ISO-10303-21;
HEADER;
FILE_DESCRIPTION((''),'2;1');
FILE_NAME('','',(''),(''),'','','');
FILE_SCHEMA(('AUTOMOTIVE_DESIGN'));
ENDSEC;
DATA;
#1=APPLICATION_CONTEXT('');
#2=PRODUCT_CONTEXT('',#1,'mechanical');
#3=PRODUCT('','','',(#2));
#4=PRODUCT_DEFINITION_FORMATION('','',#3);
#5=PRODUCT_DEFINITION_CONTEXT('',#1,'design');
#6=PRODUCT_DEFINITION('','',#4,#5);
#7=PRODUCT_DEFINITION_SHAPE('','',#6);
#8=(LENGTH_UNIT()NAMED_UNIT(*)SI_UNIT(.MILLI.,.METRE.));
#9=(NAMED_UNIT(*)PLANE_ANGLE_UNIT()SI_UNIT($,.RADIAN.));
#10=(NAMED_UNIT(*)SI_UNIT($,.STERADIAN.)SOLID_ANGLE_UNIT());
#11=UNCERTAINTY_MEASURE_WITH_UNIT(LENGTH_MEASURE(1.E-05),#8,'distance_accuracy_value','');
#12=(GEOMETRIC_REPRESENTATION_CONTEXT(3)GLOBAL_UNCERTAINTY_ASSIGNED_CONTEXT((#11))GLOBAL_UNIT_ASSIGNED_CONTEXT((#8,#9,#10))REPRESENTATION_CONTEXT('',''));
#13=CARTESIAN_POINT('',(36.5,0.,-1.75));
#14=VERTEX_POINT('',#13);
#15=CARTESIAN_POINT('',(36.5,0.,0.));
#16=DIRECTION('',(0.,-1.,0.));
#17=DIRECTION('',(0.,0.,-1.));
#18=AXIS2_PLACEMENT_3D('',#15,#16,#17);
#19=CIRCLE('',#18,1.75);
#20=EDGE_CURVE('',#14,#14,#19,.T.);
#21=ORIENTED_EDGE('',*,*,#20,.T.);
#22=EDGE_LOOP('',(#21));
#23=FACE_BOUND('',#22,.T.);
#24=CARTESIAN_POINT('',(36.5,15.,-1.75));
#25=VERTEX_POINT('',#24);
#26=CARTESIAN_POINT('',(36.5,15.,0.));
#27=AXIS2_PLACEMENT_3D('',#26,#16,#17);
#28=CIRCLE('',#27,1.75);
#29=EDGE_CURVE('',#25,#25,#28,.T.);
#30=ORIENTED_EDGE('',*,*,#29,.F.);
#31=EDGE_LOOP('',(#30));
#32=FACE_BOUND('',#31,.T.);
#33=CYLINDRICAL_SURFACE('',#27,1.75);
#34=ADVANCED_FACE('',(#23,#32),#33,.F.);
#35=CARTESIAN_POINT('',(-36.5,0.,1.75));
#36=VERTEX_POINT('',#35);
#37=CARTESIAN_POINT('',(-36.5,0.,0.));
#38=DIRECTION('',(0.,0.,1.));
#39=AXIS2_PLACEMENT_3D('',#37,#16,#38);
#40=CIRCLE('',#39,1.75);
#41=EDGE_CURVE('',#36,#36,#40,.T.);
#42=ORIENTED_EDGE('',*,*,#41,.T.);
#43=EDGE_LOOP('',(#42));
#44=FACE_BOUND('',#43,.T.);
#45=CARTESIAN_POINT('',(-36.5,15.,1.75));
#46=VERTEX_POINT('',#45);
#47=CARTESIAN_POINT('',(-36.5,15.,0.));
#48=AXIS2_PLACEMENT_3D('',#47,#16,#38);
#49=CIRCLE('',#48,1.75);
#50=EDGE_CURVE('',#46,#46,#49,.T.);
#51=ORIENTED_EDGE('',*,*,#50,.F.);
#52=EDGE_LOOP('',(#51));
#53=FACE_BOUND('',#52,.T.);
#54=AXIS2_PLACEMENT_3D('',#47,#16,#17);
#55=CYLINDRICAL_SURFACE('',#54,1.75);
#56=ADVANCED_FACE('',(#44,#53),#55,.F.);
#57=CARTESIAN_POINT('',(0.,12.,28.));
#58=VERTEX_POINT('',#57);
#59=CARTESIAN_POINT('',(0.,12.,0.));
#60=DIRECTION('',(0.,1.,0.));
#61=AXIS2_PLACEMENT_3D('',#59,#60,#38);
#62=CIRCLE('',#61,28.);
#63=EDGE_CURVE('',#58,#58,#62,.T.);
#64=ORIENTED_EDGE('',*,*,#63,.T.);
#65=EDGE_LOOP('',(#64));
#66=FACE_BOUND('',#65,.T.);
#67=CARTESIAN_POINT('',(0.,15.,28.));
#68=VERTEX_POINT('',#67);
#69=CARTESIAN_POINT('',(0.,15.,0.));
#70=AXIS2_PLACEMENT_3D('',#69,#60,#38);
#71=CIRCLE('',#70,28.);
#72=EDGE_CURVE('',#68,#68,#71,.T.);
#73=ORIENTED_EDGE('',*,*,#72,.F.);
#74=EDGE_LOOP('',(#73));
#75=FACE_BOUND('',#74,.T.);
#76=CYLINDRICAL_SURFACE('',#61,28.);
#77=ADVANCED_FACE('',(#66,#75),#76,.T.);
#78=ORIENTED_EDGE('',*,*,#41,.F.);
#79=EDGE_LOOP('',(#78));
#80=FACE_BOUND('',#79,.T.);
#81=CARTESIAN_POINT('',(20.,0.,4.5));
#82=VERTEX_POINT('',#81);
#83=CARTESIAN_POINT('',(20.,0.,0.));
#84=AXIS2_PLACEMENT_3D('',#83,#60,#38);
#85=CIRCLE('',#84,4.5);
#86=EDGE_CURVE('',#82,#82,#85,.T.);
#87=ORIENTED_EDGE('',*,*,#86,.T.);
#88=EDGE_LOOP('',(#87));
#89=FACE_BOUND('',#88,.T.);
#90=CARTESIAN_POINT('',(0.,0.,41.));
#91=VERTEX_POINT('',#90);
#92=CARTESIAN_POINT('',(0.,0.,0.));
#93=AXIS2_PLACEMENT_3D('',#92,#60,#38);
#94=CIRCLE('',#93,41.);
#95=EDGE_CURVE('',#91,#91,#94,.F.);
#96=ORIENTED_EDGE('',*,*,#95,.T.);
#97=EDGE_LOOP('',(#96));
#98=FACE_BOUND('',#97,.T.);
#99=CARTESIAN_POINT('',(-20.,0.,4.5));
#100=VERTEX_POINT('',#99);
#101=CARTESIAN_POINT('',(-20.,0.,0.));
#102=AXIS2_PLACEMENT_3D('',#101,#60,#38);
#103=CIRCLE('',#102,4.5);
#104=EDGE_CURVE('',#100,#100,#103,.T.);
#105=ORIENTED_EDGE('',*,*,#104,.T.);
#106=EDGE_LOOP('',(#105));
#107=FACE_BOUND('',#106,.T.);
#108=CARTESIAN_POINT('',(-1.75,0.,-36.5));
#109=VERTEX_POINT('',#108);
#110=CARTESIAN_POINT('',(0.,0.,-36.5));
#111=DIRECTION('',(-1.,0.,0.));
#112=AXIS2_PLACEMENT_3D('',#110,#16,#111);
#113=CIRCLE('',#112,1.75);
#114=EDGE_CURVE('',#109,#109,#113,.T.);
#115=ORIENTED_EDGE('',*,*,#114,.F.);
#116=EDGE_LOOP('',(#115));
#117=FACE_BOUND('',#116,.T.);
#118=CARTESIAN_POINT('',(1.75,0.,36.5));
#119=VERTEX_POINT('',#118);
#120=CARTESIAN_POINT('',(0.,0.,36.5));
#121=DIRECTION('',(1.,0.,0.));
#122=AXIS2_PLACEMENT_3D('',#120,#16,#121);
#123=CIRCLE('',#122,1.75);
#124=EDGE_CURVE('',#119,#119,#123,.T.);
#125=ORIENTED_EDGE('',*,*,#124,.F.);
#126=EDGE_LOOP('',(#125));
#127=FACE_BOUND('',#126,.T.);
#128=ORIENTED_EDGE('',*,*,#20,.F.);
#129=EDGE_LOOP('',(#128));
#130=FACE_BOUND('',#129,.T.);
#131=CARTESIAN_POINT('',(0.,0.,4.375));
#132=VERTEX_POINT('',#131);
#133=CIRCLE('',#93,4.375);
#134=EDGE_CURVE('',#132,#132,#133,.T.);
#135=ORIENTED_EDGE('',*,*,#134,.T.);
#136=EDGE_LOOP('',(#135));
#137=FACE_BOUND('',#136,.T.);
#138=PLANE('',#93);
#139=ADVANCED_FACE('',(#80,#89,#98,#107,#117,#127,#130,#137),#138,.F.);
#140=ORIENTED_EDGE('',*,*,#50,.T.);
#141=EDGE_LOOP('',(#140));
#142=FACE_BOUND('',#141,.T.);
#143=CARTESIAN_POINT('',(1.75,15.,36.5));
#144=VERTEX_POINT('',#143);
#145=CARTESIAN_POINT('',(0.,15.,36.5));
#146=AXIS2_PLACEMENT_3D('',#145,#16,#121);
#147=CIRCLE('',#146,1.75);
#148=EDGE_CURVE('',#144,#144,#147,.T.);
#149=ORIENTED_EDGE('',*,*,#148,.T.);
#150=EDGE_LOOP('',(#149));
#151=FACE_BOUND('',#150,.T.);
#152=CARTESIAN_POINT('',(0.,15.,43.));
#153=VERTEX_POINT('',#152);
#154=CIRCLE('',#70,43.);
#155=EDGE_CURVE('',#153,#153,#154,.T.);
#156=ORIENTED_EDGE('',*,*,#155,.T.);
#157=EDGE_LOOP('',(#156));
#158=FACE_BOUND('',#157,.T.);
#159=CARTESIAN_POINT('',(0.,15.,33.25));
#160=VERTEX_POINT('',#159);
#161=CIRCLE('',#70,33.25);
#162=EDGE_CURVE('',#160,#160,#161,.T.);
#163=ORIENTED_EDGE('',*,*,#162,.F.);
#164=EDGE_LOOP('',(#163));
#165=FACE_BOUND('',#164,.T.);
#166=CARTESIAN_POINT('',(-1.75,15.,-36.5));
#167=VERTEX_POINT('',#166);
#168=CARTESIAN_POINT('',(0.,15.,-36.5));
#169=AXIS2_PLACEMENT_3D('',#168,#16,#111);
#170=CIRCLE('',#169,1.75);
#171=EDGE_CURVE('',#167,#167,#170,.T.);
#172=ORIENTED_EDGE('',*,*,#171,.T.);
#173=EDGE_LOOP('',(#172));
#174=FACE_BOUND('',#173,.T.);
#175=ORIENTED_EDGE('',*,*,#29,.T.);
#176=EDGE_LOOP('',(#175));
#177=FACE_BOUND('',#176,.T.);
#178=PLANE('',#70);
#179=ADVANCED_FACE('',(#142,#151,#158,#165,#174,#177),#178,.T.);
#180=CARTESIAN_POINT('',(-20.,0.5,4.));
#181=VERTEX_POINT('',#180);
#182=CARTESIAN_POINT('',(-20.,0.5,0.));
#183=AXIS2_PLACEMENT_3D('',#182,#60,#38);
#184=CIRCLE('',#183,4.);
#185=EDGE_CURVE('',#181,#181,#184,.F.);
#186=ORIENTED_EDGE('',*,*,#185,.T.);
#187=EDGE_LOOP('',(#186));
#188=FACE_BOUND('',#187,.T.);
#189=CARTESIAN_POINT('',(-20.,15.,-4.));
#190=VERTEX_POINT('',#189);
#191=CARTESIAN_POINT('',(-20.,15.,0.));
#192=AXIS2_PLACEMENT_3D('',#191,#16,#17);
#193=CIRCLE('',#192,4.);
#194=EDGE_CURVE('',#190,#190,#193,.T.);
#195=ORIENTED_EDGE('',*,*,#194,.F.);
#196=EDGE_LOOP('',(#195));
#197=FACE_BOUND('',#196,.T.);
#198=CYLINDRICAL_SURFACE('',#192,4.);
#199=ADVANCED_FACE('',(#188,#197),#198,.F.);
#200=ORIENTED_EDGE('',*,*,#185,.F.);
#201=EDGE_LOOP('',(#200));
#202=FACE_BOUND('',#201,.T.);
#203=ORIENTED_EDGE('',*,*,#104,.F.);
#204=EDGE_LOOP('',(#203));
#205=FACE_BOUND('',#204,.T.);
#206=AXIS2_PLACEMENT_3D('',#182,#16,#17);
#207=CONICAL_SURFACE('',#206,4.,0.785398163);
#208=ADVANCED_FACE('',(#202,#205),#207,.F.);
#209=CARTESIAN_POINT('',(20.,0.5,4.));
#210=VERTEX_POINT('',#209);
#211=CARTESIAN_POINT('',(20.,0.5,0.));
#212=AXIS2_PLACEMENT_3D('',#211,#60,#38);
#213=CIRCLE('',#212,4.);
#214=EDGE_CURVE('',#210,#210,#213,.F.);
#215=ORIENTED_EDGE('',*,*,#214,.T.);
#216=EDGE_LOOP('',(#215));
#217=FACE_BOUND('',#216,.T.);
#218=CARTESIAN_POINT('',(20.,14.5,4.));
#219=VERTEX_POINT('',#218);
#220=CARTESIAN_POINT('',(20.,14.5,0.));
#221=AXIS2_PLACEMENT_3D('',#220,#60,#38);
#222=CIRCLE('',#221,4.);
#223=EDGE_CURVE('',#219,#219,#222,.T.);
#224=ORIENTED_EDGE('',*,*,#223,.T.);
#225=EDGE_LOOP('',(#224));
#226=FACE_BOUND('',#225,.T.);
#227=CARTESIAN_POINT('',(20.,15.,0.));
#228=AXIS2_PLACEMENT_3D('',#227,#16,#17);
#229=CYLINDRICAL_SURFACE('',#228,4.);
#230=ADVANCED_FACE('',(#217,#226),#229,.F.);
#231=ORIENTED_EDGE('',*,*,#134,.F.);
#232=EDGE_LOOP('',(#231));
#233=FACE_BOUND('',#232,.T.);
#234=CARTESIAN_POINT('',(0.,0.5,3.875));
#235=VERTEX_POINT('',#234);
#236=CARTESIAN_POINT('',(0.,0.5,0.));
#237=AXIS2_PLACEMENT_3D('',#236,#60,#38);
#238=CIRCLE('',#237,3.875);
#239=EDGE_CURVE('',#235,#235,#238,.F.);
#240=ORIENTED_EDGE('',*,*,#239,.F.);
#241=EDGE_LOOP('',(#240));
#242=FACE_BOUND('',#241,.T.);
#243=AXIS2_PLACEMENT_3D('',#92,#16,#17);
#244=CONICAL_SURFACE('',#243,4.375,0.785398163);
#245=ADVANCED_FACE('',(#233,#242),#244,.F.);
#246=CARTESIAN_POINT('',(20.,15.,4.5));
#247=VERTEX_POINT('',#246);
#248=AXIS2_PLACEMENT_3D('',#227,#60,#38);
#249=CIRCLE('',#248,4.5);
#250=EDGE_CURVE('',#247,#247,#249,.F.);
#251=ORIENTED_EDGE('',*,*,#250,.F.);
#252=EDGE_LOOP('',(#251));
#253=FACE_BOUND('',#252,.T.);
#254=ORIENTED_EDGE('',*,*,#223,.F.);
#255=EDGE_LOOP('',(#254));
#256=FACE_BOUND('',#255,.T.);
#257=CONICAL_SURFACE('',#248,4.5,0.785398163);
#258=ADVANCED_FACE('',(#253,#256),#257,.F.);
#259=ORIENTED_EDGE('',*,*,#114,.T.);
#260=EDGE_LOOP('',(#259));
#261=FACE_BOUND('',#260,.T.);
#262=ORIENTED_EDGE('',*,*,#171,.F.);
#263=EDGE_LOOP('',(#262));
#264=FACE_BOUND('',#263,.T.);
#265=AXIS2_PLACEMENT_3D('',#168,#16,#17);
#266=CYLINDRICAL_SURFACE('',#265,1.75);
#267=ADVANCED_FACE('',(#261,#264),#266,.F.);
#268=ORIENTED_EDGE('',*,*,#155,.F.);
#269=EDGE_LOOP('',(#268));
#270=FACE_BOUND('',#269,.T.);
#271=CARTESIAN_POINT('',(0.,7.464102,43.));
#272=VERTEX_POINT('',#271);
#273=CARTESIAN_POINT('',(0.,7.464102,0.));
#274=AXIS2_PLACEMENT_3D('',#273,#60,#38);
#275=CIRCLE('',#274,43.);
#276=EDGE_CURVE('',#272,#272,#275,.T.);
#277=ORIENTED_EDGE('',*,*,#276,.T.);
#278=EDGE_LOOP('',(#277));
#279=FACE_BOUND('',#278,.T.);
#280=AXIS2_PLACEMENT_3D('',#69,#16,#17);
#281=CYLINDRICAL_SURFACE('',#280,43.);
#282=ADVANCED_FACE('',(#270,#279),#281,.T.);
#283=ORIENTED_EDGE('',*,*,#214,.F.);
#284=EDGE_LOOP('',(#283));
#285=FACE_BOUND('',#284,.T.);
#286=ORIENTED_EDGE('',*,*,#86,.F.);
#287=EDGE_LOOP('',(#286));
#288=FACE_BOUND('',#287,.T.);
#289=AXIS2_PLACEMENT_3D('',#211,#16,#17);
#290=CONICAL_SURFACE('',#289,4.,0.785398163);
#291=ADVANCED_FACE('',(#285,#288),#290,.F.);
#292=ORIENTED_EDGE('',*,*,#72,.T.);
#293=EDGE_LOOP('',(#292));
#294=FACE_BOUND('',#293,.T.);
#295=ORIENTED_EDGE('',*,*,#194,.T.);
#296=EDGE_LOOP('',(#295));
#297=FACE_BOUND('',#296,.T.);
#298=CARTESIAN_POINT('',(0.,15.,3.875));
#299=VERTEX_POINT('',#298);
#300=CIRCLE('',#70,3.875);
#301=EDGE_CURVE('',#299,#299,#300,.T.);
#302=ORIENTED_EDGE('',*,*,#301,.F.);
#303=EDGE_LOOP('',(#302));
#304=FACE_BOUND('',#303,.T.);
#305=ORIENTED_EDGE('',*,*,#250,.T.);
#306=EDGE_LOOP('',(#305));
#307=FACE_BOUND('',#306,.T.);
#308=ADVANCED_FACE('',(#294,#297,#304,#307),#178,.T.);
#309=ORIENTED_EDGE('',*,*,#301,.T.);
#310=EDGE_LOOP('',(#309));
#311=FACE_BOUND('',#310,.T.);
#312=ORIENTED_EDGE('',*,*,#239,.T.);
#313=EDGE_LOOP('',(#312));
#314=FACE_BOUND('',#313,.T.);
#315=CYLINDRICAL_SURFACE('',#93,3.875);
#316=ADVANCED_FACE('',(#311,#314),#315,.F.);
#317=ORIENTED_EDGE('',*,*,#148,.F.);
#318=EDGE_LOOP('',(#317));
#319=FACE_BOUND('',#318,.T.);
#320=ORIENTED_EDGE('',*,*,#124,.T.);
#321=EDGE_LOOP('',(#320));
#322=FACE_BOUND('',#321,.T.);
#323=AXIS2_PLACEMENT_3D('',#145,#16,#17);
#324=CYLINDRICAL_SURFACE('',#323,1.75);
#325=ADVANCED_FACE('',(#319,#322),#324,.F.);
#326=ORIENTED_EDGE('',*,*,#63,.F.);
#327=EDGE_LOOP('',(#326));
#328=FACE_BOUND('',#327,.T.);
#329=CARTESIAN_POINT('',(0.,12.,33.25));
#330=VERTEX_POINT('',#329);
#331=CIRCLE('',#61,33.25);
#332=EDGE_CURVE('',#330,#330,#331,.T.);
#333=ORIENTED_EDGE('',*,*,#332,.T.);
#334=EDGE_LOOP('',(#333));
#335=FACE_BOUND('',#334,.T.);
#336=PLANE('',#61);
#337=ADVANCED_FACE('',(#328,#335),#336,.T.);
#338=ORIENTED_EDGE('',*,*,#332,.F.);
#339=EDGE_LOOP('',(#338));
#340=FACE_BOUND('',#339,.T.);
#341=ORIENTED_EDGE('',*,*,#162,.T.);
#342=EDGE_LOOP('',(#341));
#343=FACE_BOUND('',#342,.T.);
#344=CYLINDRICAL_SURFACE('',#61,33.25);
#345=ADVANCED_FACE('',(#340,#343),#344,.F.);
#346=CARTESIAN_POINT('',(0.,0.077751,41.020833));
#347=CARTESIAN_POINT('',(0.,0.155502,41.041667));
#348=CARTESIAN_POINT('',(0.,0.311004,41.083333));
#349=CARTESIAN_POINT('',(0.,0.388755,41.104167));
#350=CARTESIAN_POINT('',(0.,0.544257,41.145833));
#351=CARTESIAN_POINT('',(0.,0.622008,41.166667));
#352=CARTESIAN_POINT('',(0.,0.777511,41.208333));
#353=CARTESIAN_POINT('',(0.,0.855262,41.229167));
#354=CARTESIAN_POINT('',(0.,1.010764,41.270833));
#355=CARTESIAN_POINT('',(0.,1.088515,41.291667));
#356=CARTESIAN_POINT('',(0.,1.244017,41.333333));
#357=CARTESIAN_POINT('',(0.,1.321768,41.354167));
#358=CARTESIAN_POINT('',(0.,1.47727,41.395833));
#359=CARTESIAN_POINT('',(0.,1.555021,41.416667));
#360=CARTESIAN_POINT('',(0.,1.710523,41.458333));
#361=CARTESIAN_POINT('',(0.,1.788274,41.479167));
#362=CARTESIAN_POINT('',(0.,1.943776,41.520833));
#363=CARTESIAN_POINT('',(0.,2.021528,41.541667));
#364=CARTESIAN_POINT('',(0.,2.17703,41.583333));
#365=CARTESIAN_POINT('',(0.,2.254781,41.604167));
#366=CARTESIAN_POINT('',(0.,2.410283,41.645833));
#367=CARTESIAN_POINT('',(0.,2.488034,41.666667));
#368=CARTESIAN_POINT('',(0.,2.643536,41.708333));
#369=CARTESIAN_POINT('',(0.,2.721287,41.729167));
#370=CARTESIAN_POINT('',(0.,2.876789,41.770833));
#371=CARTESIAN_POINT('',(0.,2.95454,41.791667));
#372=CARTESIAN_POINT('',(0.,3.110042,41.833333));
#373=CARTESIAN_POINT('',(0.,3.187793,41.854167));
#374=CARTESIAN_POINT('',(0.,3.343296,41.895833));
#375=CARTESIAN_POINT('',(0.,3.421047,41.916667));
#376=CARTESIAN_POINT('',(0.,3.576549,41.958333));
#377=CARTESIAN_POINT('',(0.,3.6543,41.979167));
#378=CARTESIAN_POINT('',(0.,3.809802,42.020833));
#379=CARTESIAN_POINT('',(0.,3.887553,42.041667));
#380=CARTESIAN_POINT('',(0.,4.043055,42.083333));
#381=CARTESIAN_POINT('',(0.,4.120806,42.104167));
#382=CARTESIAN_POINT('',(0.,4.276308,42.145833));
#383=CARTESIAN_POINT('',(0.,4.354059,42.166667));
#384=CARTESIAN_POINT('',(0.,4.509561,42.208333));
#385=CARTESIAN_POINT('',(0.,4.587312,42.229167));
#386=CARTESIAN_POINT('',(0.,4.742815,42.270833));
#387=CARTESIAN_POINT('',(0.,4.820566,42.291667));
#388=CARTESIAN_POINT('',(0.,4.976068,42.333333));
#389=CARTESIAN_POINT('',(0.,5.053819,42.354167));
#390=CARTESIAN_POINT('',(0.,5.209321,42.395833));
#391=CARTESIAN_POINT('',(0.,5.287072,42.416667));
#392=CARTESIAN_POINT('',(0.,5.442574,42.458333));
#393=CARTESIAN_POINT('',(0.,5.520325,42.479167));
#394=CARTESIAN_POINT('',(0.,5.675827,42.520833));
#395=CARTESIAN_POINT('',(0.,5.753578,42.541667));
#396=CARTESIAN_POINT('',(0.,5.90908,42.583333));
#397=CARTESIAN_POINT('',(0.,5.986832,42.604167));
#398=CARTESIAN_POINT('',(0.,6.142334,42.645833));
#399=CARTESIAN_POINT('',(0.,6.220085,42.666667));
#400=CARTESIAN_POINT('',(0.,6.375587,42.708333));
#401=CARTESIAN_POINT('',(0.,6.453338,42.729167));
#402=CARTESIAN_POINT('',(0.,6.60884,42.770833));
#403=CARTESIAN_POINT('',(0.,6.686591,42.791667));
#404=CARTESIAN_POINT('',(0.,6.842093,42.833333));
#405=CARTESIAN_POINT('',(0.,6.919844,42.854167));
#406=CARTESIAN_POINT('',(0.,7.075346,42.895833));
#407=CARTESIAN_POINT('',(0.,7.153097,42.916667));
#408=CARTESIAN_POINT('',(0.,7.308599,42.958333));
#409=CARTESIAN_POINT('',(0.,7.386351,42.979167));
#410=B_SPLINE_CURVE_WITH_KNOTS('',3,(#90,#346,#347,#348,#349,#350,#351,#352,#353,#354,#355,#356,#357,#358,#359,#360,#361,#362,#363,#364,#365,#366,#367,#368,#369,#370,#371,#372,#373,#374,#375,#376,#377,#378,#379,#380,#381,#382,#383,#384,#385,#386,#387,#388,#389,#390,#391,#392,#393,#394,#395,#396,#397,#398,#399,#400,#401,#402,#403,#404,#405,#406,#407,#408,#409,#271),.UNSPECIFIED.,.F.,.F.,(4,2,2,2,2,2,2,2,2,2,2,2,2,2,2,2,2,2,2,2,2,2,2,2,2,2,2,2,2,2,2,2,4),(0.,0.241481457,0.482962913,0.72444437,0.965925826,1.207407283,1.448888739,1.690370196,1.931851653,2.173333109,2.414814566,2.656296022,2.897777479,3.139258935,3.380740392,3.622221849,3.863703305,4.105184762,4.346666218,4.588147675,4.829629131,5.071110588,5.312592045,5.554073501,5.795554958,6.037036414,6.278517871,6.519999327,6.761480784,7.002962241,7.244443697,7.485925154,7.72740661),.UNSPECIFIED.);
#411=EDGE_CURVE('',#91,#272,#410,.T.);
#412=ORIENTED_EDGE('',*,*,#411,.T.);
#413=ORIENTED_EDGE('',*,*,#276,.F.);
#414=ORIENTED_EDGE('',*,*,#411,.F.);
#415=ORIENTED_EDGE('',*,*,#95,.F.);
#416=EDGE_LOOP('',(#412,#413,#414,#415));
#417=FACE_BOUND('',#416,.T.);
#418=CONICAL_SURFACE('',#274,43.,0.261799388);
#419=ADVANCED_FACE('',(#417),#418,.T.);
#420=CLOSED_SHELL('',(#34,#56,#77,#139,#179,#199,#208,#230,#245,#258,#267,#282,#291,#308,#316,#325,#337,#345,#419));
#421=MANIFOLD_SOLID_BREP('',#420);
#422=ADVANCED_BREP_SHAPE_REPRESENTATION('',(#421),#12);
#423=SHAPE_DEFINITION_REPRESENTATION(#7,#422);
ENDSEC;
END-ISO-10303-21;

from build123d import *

# Parameters (mm, degrees)
SKETCH1_R           = 43
BOSS_EXTRUDE1_DEPTH = 15
SKETCH2_R           = 4
CUT_EXTRUDE1_DEPTH  = 63.633856659
SKETCH3_R           = 3.875
CUT_EXTRUDE2_DEPTH  = 63.633856659
SKETCH4_R           = 33.25
SKETCH4_R_2         = 28
CUT_EXTRUDE3_DEPTH  = 3
SKETCH5_R           = 1.75
CUT_EXTRUDE4_DEPTH  = 63.633856659
CIRPATTERN1_COUNT   = 4
CHAMFER1_SIZE       = 2
CHAMFER1_SIZE2      = 7.464101615
CHAMFER2_SIZE       = 0.5


with BuildPart() as part:
    # Sketch1 → Boss-Extrude1 (new body)
    with BuildSketch(Plane(origin=(0, 0, 0), x_dir=(1, 0, 0), z_dir=(0, 1, 0))):
        with Locations(Location((0, 0, 0), (0, 0, 270))):
            Circle(SKETCH1_R)
    extrude(amount=BOSS_EXTRUDE1_DEPTH)

    # Sketch2 → Cut-Extrude1 (cut, through all)
    with BuildSketch(Plane.XZ):
        with Locations(Location((20, 0, 0), (0, 0, 270))):
            Circle(SKETCH2_R)
        with Locations(Location((-20, 0, 0), (0, 0, 270))):
            Circle(SKETCH2_R)
    extrude(amount=-CUT_EXTRUDE1_DEPTH, mode=Mode.SUBTRACT)

    # Sketch3 → Cut-Extrude2 (cut, through all)
    with BuildSketch(Plane(origin=(0, 15, 0), x_dir=(1, 0, 0), z_dir=(0, 1, 0))):
        with Locations(Location((0, 0, 0), (0, 0, 270))):
            Circle(SKETCH3_R)
    extrude(amount=-CUT_EXTRUDE2_DEPTH, mode=Mode.SUBTRACT)

    # Sketch4 → Cut-Extrude3 (cut)
    with BuildSketch(Plane(origin=(0, 15, 0), x_dir=(1, 0, 0), z_dir=(0, 1, 0))):
        with Locations(Location((0, 0, 0), (0, 0, 270))):
            Circle(SKETCH4_R)
        with Locations(Location((0, 0, 0), (0, 0, 270))):
            Circle(SKETCH4_R_2, mode=Mode.SUBTRACT)
    extrude(amount=-CUT_EXTRUDE3_DEPTH, mode=Mode.SUBTRACT)

    # Sketch5 → Cut-Extrude4 (cut, through all)
    with BuildSketch(Plane.XZ):
        with Locations(Location((36.5, 0, 0), (0, 0, 270))):
            Circle(SKETCH5_R)
    cut_extrude4 = extrude(amount=-CUT_EXTRUDE4_DEPTH, mode=Mode.SUBTRACT)

    # CirPattern1: Cut-Extrude4 ×4 about axis
    cirpattern1_axis = Axis((0, 0, 0), (0, 1, 0))
    for i in range(1, CIRPATTERN1_COUNT):
        add(cut_extrude4.rotate(cirpattern1_axis, i * 360 / CIRPATTERN1_COUNT), mode=Mode.SUBTRACT)

    # Chamfer1
    chamfer1_edges = [part.edges().sort_by_distance(p)[0] for p in [
        (0, 0, -43),
    ]]
    chamfer1_side = [part.faces().sort_by_distance(p)[0] for p in [
        (0, 0, -41.783776336),
    ]]
    chamfer(chamfer1_edges, length=CHAMFER1_SIZE, length2=CHAMFER1_SIZE2, reference=chamfer1_side[0])

    # Chamfer2
    chamfer2_edges = [part.edges().sort_by_distance(p)[0] for p in [
        (-20, 0, 4),
        (0, 0, -3.875),
        (20, 15, 4),
        (20, 0, 4),
    ]]
    chamfer(chamfer2_edges, length=CHAMFER2_SIZE)


solid = part.part
